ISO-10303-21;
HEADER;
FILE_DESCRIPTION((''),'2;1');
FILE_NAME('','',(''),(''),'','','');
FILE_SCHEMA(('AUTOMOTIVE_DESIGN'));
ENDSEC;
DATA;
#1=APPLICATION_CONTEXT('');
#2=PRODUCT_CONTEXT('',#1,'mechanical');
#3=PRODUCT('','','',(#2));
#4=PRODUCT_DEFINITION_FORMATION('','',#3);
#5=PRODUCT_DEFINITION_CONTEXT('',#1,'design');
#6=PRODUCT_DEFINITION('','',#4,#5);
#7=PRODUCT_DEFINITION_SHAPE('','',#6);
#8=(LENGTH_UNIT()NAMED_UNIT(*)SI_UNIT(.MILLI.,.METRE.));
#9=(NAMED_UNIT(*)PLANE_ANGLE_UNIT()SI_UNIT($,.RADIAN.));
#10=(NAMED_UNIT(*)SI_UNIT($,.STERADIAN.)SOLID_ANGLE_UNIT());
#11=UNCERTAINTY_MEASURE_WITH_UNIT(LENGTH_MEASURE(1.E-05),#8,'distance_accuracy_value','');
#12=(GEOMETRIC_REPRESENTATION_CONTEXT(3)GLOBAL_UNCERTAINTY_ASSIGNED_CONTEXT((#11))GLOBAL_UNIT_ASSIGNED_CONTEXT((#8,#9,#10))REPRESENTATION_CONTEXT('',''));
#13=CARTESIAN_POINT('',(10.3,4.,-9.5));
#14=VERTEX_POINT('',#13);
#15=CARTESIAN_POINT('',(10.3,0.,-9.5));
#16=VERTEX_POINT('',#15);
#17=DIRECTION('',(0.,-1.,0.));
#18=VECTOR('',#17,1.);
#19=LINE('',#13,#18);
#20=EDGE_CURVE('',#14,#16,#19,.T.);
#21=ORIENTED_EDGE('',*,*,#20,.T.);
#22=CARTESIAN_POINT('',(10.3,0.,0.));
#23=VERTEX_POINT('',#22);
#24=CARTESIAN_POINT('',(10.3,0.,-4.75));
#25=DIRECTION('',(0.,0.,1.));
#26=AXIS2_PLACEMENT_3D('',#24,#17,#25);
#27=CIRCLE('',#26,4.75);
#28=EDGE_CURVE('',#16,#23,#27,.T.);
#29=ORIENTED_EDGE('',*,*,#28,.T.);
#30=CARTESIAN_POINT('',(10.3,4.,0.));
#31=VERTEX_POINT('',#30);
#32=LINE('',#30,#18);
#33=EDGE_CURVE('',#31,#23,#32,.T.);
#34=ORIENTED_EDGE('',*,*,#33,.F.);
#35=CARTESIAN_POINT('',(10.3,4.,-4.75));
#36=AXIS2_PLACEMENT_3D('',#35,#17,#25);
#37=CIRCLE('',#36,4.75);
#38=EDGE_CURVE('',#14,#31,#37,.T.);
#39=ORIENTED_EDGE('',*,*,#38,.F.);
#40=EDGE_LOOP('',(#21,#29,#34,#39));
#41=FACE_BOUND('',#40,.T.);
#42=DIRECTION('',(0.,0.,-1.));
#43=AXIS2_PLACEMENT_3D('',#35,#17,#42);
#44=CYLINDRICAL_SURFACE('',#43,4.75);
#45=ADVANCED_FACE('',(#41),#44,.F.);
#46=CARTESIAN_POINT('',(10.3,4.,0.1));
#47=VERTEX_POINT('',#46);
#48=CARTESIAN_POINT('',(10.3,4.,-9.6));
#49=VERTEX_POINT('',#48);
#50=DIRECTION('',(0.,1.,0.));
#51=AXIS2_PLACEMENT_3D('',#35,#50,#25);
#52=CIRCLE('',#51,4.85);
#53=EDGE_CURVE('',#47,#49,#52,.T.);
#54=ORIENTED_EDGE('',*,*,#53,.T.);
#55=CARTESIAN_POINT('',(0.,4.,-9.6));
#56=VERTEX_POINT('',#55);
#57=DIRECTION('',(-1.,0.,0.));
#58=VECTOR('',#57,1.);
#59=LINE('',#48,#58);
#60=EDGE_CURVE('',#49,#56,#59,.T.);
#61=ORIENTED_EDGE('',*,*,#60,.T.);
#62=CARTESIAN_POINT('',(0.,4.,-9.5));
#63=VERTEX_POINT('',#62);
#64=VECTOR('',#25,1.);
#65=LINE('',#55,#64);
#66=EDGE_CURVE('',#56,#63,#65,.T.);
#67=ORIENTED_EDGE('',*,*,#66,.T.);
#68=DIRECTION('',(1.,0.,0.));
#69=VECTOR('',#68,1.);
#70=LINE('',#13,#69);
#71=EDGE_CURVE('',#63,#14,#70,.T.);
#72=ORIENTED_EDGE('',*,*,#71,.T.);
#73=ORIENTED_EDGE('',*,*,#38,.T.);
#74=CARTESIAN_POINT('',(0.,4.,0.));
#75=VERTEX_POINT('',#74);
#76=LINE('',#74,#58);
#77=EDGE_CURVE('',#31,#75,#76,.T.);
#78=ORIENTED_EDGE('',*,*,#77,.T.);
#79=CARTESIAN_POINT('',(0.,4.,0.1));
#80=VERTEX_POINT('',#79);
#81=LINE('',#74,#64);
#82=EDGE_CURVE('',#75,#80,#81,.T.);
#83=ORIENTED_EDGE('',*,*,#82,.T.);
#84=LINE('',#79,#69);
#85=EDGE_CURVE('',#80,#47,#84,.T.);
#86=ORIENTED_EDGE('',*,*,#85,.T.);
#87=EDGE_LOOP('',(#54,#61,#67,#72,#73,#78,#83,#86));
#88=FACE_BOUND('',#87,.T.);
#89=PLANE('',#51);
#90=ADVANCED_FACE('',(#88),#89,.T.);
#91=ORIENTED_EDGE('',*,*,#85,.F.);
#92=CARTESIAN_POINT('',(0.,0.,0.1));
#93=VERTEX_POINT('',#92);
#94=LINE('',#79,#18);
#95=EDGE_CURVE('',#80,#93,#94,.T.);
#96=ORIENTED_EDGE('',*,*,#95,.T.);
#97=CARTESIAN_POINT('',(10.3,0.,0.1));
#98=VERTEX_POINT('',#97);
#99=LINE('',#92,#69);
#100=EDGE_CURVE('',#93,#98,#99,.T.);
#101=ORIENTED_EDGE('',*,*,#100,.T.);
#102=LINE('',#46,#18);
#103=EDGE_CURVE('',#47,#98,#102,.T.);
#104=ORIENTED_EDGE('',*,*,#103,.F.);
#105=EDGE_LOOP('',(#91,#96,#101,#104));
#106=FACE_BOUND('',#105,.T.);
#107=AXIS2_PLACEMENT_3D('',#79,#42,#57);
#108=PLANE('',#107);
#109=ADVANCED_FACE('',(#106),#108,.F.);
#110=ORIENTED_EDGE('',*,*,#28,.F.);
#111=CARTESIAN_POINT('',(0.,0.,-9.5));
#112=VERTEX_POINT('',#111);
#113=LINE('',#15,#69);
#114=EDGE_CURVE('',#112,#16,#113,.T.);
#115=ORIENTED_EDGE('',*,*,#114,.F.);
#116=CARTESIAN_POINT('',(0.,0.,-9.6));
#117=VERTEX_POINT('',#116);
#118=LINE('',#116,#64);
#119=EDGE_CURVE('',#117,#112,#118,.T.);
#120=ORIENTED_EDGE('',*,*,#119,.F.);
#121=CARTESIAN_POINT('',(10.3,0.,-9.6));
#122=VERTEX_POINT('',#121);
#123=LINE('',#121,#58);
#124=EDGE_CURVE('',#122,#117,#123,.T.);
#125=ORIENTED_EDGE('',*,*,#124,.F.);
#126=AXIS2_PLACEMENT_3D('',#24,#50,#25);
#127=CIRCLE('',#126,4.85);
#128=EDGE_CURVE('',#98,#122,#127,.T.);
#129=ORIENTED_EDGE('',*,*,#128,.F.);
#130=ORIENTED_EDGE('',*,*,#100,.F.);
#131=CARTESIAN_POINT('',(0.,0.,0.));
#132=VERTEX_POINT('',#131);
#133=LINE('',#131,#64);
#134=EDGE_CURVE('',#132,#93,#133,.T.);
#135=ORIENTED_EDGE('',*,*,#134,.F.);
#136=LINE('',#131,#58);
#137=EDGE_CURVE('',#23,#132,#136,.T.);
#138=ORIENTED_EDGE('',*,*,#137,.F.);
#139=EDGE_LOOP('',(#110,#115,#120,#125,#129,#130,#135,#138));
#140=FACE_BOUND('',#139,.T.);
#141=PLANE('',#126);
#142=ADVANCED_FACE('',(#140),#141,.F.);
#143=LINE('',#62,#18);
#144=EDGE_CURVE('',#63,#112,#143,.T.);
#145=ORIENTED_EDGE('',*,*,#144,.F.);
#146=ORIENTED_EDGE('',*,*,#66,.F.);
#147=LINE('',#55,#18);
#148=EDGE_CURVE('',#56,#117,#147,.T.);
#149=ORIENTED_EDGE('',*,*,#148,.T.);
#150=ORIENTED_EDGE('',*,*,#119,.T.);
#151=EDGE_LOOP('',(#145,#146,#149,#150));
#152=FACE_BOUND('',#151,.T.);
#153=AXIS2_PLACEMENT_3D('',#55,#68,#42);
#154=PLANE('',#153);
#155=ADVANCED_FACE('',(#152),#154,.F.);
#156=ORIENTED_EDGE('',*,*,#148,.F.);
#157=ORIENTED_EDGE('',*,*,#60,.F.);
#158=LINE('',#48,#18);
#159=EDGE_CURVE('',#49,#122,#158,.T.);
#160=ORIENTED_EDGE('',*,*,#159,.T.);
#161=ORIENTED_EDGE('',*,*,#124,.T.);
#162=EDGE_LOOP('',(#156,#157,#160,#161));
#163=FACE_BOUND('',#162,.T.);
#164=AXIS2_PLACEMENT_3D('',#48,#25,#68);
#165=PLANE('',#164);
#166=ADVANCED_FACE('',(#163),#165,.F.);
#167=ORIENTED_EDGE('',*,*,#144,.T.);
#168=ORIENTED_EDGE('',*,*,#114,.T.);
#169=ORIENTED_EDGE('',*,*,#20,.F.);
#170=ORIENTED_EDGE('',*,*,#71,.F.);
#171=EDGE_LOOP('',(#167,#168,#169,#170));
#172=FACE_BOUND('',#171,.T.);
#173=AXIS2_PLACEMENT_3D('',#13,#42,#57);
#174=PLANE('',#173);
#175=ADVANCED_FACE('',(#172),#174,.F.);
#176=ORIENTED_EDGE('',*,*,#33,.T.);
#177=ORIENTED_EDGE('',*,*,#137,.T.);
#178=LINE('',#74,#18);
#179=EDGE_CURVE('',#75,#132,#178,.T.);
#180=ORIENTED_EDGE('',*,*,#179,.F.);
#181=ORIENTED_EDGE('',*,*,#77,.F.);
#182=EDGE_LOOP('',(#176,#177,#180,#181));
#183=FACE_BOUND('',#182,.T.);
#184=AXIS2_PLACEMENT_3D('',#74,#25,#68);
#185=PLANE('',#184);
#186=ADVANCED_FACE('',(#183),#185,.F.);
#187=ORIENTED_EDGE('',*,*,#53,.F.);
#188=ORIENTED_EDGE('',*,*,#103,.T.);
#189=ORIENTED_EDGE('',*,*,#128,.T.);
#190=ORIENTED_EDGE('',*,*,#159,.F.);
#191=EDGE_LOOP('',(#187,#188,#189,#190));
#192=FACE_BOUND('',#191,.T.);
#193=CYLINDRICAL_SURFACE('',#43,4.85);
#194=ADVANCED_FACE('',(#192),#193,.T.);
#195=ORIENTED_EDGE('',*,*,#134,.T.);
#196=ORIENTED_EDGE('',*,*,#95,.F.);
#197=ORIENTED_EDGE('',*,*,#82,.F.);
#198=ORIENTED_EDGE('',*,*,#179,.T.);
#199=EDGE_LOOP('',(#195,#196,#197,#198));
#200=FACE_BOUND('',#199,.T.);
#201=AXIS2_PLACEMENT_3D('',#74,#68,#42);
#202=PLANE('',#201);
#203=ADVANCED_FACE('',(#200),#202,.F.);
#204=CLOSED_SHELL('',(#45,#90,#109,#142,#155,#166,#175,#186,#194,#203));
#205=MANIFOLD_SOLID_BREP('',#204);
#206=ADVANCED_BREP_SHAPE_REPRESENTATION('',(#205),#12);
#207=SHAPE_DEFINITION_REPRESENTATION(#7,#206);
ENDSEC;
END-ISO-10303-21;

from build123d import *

# Parameters (mm, degrees)
BOSS_EXTRUDE1_DEPTH = 4


with BuildPart() as part:
    # Sketch1 → Boss-Extrude1 (new body)
    with BuildSketch(Plane(origin=(0, 0, 0), x_dir=(1, 0, 0), z_dir=(0, 1, 0))):
        with BuildLine():
            Line((0, 0), (10.3, 0))
            ThreePointArc((10.3, 0), (15.05, 4.75), (10.3, 9.5))
            Line((10.3, 9.5), (0, 9.5))
            Line((0, 9.5), (0, 9.6))
            Line((0, 9.6), (10.3, 9.6))
            ThreePointArc((10.3, 9.6), (15.15, 4.75), (10.3, -0.1))
            Line((10.3, -0.1), (0, -0.1))
            Line((0, -0.1), (0, 0))
        make_face()
    extrude(amount=BOSS_EXTRUDE1_DEPTH)


solid = part.part
